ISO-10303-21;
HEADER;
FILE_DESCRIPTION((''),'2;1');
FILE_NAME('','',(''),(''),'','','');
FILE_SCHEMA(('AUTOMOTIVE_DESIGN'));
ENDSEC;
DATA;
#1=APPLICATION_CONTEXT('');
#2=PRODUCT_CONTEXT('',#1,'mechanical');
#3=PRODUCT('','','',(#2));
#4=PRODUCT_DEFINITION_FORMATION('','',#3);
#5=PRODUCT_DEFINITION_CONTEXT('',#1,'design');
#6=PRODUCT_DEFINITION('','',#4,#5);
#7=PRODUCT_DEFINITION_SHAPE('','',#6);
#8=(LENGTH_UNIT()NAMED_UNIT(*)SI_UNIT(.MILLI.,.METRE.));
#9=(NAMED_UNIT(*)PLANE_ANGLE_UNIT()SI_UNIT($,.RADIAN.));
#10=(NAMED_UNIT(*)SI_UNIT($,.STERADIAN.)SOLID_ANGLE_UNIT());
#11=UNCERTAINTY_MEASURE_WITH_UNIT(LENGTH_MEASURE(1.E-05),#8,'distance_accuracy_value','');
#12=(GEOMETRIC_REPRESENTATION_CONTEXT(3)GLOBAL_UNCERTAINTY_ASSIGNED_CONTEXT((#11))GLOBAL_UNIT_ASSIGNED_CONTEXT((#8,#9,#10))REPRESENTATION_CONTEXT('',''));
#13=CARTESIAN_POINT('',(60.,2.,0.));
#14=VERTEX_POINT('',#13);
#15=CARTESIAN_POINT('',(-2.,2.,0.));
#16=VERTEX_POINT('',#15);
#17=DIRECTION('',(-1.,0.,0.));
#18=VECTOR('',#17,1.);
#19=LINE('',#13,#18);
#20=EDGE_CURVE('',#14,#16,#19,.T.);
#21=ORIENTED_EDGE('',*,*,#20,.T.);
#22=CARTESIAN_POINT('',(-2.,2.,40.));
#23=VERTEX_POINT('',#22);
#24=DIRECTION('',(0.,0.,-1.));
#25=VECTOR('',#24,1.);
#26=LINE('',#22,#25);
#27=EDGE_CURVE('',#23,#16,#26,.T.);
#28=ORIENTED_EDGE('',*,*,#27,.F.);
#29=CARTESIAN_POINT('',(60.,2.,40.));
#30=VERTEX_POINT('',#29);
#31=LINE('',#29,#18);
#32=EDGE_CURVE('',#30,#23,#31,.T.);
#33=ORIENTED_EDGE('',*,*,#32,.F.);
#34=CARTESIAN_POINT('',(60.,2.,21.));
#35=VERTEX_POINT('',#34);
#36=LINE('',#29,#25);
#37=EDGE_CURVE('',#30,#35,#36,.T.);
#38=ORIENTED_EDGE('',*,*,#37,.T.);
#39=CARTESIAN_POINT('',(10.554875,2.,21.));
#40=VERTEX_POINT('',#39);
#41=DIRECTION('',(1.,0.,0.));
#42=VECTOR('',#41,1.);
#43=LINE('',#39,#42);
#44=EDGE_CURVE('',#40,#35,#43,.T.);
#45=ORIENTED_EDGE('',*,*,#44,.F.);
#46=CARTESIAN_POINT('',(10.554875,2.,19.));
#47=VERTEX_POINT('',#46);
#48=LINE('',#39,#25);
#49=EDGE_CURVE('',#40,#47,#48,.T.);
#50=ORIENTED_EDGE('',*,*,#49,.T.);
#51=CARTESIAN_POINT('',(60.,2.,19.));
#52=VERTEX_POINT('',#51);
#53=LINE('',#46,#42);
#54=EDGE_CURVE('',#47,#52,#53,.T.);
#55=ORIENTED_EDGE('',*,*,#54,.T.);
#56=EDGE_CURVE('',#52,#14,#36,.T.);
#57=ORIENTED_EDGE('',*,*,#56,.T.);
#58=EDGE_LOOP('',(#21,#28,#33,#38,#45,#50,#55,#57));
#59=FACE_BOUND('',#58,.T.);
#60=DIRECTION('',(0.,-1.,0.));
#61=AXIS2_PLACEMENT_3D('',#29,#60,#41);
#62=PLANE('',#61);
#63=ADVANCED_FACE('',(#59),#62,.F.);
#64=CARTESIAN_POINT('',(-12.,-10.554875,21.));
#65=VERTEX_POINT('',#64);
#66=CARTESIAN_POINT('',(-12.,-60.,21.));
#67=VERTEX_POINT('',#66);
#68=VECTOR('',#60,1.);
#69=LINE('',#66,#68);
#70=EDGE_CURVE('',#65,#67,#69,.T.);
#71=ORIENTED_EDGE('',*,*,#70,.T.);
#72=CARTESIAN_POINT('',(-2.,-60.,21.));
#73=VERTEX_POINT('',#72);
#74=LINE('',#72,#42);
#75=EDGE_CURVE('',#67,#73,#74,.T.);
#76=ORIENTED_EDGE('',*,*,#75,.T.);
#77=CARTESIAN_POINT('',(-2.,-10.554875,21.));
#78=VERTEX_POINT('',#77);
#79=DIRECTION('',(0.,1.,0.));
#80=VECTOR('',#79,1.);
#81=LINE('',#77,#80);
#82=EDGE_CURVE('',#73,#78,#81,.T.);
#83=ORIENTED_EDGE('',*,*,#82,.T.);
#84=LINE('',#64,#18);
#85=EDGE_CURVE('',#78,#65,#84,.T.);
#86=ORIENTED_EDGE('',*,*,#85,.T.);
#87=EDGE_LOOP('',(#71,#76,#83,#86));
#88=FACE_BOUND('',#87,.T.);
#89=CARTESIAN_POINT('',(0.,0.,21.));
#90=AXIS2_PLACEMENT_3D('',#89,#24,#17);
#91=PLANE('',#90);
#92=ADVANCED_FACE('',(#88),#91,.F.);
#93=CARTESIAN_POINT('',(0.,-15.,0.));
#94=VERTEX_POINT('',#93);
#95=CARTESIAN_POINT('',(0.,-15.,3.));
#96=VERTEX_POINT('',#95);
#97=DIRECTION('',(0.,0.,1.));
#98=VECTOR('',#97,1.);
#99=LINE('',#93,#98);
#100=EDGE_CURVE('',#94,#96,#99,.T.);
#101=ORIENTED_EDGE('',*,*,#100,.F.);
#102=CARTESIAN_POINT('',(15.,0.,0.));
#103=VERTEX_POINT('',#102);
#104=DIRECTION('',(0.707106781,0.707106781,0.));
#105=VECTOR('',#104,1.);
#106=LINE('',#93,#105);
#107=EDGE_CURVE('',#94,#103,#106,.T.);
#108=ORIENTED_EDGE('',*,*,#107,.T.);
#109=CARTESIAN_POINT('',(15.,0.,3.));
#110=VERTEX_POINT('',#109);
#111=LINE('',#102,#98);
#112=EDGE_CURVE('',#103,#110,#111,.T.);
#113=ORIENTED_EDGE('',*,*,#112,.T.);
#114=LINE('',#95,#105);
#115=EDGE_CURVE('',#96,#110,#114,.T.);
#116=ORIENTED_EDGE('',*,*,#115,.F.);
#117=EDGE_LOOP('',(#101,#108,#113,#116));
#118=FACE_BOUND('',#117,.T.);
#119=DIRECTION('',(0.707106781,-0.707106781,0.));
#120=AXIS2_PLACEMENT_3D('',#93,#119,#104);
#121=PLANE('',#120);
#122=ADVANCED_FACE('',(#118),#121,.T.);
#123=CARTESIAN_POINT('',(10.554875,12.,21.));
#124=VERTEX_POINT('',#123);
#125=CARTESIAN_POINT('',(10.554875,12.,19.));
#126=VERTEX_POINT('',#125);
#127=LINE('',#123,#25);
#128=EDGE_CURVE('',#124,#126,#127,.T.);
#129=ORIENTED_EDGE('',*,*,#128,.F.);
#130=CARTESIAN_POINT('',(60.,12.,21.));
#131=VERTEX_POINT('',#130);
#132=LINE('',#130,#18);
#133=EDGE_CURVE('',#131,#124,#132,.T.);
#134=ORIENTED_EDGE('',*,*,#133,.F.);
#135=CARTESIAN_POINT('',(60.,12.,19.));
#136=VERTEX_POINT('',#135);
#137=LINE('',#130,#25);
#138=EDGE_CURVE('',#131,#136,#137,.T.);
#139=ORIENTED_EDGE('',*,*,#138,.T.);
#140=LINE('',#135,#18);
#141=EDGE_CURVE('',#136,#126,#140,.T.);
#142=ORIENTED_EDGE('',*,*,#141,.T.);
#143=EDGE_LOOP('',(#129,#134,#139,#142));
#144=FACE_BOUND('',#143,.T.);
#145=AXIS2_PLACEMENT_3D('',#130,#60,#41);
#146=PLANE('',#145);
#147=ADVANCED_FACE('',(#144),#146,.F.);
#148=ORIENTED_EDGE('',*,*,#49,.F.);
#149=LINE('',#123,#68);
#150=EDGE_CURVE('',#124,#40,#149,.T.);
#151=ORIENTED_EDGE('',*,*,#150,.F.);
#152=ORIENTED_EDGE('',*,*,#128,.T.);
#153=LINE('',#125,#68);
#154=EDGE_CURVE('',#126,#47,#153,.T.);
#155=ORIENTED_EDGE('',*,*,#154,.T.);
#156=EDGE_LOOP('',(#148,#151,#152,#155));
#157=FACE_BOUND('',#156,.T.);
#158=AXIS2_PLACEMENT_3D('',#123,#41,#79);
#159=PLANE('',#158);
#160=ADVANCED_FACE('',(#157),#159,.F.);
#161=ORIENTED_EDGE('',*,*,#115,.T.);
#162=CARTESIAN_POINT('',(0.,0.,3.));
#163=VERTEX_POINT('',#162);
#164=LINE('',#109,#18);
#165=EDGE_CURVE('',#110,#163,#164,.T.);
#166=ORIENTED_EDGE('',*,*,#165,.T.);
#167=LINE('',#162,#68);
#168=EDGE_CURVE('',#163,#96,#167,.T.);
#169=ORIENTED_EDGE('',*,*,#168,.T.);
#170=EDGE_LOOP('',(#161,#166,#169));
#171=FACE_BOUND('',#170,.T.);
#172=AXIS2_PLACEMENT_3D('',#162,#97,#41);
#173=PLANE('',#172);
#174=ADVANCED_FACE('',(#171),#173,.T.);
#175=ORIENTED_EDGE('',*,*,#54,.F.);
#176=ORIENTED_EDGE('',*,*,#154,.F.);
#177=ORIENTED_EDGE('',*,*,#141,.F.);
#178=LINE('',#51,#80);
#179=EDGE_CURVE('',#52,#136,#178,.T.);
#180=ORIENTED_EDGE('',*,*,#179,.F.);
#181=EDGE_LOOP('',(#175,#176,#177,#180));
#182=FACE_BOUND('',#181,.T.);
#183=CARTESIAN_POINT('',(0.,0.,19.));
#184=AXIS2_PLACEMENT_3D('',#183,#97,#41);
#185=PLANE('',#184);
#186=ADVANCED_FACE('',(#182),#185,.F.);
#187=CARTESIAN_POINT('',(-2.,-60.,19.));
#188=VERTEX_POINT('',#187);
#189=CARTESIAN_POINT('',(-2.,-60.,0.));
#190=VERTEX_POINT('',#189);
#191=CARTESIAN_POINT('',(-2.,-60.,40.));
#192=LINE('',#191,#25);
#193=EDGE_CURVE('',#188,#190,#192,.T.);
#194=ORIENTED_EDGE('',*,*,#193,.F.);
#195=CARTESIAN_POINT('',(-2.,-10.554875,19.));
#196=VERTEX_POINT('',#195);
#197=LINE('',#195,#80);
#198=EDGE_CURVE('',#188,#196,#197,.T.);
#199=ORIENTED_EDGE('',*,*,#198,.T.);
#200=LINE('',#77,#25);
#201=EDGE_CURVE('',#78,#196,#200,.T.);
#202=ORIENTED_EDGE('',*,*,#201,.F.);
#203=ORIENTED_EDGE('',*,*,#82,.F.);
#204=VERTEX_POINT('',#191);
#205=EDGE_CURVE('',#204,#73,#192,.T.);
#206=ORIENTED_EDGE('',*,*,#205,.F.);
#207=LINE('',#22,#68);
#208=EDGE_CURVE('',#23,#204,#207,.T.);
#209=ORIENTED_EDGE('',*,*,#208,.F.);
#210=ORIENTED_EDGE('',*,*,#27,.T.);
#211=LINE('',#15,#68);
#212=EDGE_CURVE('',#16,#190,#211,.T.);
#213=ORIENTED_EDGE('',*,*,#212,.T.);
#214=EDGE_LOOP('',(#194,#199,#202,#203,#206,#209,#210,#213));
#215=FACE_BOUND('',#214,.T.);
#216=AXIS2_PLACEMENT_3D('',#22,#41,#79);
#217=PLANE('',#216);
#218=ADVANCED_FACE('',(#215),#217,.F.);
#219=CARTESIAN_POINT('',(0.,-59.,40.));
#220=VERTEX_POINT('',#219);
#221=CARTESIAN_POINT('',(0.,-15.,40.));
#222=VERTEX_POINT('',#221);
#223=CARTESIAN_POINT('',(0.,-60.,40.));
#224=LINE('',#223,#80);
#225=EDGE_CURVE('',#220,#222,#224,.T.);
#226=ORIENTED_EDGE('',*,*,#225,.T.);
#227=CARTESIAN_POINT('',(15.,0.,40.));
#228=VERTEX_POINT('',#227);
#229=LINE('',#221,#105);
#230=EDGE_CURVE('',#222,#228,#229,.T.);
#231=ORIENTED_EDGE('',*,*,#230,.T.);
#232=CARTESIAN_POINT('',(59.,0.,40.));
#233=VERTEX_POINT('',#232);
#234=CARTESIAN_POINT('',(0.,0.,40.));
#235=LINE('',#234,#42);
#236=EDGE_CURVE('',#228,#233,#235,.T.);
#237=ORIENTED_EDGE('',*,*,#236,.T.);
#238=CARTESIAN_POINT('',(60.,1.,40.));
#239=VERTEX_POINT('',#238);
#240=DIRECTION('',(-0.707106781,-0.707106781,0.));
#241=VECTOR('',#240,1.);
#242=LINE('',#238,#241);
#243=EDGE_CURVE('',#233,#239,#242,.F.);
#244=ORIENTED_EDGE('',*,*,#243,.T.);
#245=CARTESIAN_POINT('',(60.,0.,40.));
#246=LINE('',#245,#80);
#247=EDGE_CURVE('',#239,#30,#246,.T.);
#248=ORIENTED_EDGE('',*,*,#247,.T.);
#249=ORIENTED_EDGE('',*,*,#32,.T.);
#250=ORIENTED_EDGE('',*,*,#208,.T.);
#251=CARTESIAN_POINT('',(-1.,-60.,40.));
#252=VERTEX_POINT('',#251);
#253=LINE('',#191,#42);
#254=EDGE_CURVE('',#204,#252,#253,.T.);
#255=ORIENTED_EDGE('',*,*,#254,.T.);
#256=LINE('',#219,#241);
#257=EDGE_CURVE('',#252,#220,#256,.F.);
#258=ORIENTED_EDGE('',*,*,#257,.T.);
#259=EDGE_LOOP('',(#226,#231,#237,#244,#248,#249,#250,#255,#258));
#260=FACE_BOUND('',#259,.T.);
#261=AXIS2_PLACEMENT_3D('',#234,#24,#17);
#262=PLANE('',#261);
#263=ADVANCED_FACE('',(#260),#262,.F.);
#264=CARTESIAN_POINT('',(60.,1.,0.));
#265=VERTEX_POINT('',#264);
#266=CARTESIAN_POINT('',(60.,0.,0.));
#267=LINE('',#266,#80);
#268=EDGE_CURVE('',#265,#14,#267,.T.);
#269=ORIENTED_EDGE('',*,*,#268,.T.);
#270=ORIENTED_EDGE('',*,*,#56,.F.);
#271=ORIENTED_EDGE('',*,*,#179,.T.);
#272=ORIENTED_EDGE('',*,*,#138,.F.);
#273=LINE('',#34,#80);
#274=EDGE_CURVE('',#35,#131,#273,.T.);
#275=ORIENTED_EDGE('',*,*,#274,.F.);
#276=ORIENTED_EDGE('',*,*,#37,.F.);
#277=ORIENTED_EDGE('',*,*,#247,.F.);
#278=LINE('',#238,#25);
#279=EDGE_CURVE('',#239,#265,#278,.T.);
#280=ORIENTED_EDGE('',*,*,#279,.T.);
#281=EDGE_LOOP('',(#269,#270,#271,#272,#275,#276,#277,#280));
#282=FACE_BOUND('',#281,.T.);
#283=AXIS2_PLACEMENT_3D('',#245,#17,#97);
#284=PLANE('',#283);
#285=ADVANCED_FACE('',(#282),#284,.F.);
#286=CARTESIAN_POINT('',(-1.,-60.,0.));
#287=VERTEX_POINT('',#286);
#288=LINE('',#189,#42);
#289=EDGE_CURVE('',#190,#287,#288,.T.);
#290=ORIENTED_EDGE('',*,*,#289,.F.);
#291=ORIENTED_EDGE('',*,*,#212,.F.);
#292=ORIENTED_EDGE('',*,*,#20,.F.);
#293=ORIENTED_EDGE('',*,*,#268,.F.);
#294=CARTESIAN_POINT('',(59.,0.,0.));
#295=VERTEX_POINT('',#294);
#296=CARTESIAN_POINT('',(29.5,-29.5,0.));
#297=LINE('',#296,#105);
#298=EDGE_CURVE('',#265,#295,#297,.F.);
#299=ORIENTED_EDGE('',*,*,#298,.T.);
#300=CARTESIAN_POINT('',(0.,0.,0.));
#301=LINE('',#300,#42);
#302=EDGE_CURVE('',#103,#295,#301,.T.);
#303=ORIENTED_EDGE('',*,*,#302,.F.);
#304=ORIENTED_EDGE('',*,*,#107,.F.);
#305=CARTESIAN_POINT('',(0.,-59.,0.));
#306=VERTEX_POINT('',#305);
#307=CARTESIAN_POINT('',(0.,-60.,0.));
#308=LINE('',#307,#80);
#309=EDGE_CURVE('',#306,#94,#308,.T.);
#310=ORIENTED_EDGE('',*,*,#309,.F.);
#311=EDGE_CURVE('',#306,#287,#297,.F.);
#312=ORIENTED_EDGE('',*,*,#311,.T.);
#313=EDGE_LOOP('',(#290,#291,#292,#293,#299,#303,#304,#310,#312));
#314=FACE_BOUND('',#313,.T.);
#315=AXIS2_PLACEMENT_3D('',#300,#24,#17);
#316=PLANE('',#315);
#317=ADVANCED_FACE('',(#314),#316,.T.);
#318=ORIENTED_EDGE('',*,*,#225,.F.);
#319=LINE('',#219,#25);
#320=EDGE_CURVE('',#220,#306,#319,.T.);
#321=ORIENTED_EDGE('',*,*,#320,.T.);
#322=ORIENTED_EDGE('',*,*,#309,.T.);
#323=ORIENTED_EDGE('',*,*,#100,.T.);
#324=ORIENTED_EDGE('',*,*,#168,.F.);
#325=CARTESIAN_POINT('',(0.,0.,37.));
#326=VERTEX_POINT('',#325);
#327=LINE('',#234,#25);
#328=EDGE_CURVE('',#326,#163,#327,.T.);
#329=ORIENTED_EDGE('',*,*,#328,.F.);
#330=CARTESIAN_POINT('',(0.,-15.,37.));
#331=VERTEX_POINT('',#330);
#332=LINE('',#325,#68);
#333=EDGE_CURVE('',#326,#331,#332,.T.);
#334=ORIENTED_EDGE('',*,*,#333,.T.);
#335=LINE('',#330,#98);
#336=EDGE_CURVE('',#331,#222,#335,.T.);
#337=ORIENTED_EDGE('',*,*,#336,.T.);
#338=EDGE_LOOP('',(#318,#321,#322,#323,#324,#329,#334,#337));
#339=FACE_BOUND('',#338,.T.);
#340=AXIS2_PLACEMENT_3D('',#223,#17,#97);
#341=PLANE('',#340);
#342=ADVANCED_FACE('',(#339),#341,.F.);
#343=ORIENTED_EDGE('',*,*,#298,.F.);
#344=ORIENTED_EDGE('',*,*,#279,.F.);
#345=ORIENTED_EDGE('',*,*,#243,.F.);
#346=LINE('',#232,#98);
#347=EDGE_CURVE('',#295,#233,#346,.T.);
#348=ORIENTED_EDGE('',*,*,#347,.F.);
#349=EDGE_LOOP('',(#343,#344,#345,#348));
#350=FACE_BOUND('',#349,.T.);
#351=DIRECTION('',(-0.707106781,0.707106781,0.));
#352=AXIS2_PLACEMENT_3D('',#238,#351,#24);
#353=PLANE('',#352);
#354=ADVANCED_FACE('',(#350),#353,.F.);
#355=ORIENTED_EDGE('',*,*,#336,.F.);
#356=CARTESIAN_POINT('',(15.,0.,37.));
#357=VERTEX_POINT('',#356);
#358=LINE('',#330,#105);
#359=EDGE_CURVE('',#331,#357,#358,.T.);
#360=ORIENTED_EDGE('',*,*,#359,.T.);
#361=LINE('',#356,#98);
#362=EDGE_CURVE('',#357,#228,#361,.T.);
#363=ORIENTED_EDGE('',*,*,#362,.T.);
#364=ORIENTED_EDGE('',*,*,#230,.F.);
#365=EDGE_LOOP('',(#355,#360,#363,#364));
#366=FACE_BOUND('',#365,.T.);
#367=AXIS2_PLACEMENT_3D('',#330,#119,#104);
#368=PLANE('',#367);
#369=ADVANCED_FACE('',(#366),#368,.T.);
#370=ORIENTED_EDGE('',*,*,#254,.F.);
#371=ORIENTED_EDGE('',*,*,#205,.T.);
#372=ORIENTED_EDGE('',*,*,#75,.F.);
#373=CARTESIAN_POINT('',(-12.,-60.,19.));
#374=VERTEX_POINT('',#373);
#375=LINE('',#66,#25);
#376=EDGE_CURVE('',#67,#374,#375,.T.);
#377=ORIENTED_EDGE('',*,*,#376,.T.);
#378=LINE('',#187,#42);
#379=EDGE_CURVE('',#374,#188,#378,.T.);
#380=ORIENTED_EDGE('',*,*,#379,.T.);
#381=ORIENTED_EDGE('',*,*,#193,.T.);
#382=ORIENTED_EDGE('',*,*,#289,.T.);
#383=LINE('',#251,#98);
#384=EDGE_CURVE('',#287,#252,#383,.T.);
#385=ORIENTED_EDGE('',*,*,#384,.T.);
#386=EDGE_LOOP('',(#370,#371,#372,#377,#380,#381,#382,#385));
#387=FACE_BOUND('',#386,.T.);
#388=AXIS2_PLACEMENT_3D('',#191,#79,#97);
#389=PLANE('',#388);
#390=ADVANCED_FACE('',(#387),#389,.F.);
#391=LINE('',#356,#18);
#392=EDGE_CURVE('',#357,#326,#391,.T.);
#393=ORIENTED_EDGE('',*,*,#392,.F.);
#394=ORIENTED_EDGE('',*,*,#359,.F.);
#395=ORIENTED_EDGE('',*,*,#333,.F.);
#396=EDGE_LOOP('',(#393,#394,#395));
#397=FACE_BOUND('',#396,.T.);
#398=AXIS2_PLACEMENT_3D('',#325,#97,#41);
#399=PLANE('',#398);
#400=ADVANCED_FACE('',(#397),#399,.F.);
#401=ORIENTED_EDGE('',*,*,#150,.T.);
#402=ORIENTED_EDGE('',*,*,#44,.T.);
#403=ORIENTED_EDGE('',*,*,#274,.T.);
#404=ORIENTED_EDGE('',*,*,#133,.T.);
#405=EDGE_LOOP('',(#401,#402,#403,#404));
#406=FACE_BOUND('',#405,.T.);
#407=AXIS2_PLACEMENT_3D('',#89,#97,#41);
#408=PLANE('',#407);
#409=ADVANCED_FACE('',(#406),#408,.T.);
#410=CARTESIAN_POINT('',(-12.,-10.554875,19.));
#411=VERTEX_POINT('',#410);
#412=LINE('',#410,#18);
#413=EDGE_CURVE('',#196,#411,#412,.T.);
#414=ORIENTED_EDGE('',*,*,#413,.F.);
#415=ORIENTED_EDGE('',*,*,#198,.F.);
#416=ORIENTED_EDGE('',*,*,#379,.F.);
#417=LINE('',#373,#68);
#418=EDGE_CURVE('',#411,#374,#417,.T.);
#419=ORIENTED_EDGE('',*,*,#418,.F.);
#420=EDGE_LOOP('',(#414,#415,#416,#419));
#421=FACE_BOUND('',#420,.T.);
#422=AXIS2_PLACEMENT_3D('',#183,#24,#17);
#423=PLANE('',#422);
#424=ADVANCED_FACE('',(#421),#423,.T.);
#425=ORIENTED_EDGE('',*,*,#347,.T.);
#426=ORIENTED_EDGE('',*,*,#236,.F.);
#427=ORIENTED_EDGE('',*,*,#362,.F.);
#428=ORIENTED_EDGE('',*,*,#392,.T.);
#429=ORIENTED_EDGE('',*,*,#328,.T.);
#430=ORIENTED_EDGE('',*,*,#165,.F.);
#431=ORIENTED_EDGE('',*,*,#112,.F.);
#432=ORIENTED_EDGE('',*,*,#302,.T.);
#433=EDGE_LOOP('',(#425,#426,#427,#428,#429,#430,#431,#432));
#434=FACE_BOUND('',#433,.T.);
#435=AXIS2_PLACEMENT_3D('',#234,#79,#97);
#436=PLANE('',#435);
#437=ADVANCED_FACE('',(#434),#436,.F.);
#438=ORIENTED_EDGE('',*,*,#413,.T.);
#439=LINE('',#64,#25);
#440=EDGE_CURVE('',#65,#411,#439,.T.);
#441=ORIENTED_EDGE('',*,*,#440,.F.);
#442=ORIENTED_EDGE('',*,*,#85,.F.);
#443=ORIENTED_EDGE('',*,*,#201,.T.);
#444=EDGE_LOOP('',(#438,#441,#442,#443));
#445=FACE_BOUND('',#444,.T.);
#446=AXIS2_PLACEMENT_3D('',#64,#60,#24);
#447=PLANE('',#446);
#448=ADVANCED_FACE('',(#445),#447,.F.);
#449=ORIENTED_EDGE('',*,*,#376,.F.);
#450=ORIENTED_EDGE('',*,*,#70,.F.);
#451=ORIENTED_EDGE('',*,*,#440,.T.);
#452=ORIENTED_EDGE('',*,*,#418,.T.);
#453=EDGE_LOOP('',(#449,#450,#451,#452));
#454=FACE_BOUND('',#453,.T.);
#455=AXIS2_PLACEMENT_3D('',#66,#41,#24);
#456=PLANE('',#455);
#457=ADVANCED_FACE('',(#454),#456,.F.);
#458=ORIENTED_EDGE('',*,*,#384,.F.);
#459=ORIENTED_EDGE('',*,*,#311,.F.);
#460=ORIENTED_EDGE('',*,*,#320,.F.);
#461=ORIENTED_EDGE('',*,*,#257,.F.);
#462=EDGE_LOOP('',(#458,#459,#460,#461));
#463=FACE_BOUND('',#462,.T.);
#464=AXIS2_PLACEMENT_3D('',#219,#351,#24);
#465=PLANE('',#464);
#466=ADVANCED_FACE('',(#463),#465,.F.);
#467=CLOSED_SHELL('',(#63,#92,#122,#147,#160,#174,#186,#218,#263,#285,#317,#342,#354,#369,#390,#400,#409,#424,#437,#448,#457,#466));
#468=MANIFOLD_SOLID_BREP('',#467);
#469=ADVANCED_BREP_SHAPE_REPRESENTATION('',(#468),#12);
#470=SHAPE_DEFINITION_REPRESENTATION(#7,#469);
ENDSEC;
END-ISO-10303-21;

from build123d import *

# Parameters (mm, degrees)
BOSS_EXTRUDE1_DEPTH = 40
BOSS_EXTRUDE2_DEPTH = 3
LPATTERN1_COUNT     = 2
LPATTERN1_PITCH     = 37
CHAMFER1_SIZE       = 1
BOSS_EXTRUDE5_START = -21
SKETCH6_W           = 10
SKETCH6_H           = 49.445125494
SKETCH6_W_2         = 49.445125494
SKETCH6_H_2         = 10
BOSS_EXTRUDE5_DEPTH = 2


with BuildPart() as part:
    # Sketch2 → Boss-Extrude1 (new body)
    with BuildSketch(Plane.XY):
        Polygon((0, 0), (60, 0), (60, 2), (-2, 2), (-2, -60), (0, -60), align=None)
    extrude(amount=BOSS_EXTRUDE1_DEPTH)

    # Sketch3 → Boss-Extrude2 (add)
    with BuildSketch(Plane.XY.offset(40)):
        Polygon((15, 0), (0, 0), (0, -15), align=None)
    boss_extrude2 = extrude(amount=-BOSS_EXTRUDE2_DEPTH)

    # LPattern1: Boss-Extrude2 ×2
    with Locations(*[(0, 0, -i * LPATTERN1_PITCH) for i in range(1, LPATTERN1_COUNT)]):
        add(boss_extrude2)

    # Chamfer1
    chamfer1_edges = [part.edges().sort_by_distance(p)[0] for p in [
        (0, -60, 20),
        (60, 0, 20),
    ]]
    chamfer(chamfer1_edges, length=CHAMFER1_SIZE)

    # Sketch6 → Boss-Extrude5 (add)
    with BuildSketch(Plane.XY.offset(40).offset(BOSS_EXTRUDE5_START)):
        with Locations((-7, -35.277437253)):
            Rectangle(SKETCH6_W, SKETCH6_H)
        with Locations((35.277437253, 7)):
            Rectangle(SKETCH6_W_2, SKETCH6_H_2)
    extrude(amount=BOSS_EXTRUDE5_DEPTH)


solid = part.part
